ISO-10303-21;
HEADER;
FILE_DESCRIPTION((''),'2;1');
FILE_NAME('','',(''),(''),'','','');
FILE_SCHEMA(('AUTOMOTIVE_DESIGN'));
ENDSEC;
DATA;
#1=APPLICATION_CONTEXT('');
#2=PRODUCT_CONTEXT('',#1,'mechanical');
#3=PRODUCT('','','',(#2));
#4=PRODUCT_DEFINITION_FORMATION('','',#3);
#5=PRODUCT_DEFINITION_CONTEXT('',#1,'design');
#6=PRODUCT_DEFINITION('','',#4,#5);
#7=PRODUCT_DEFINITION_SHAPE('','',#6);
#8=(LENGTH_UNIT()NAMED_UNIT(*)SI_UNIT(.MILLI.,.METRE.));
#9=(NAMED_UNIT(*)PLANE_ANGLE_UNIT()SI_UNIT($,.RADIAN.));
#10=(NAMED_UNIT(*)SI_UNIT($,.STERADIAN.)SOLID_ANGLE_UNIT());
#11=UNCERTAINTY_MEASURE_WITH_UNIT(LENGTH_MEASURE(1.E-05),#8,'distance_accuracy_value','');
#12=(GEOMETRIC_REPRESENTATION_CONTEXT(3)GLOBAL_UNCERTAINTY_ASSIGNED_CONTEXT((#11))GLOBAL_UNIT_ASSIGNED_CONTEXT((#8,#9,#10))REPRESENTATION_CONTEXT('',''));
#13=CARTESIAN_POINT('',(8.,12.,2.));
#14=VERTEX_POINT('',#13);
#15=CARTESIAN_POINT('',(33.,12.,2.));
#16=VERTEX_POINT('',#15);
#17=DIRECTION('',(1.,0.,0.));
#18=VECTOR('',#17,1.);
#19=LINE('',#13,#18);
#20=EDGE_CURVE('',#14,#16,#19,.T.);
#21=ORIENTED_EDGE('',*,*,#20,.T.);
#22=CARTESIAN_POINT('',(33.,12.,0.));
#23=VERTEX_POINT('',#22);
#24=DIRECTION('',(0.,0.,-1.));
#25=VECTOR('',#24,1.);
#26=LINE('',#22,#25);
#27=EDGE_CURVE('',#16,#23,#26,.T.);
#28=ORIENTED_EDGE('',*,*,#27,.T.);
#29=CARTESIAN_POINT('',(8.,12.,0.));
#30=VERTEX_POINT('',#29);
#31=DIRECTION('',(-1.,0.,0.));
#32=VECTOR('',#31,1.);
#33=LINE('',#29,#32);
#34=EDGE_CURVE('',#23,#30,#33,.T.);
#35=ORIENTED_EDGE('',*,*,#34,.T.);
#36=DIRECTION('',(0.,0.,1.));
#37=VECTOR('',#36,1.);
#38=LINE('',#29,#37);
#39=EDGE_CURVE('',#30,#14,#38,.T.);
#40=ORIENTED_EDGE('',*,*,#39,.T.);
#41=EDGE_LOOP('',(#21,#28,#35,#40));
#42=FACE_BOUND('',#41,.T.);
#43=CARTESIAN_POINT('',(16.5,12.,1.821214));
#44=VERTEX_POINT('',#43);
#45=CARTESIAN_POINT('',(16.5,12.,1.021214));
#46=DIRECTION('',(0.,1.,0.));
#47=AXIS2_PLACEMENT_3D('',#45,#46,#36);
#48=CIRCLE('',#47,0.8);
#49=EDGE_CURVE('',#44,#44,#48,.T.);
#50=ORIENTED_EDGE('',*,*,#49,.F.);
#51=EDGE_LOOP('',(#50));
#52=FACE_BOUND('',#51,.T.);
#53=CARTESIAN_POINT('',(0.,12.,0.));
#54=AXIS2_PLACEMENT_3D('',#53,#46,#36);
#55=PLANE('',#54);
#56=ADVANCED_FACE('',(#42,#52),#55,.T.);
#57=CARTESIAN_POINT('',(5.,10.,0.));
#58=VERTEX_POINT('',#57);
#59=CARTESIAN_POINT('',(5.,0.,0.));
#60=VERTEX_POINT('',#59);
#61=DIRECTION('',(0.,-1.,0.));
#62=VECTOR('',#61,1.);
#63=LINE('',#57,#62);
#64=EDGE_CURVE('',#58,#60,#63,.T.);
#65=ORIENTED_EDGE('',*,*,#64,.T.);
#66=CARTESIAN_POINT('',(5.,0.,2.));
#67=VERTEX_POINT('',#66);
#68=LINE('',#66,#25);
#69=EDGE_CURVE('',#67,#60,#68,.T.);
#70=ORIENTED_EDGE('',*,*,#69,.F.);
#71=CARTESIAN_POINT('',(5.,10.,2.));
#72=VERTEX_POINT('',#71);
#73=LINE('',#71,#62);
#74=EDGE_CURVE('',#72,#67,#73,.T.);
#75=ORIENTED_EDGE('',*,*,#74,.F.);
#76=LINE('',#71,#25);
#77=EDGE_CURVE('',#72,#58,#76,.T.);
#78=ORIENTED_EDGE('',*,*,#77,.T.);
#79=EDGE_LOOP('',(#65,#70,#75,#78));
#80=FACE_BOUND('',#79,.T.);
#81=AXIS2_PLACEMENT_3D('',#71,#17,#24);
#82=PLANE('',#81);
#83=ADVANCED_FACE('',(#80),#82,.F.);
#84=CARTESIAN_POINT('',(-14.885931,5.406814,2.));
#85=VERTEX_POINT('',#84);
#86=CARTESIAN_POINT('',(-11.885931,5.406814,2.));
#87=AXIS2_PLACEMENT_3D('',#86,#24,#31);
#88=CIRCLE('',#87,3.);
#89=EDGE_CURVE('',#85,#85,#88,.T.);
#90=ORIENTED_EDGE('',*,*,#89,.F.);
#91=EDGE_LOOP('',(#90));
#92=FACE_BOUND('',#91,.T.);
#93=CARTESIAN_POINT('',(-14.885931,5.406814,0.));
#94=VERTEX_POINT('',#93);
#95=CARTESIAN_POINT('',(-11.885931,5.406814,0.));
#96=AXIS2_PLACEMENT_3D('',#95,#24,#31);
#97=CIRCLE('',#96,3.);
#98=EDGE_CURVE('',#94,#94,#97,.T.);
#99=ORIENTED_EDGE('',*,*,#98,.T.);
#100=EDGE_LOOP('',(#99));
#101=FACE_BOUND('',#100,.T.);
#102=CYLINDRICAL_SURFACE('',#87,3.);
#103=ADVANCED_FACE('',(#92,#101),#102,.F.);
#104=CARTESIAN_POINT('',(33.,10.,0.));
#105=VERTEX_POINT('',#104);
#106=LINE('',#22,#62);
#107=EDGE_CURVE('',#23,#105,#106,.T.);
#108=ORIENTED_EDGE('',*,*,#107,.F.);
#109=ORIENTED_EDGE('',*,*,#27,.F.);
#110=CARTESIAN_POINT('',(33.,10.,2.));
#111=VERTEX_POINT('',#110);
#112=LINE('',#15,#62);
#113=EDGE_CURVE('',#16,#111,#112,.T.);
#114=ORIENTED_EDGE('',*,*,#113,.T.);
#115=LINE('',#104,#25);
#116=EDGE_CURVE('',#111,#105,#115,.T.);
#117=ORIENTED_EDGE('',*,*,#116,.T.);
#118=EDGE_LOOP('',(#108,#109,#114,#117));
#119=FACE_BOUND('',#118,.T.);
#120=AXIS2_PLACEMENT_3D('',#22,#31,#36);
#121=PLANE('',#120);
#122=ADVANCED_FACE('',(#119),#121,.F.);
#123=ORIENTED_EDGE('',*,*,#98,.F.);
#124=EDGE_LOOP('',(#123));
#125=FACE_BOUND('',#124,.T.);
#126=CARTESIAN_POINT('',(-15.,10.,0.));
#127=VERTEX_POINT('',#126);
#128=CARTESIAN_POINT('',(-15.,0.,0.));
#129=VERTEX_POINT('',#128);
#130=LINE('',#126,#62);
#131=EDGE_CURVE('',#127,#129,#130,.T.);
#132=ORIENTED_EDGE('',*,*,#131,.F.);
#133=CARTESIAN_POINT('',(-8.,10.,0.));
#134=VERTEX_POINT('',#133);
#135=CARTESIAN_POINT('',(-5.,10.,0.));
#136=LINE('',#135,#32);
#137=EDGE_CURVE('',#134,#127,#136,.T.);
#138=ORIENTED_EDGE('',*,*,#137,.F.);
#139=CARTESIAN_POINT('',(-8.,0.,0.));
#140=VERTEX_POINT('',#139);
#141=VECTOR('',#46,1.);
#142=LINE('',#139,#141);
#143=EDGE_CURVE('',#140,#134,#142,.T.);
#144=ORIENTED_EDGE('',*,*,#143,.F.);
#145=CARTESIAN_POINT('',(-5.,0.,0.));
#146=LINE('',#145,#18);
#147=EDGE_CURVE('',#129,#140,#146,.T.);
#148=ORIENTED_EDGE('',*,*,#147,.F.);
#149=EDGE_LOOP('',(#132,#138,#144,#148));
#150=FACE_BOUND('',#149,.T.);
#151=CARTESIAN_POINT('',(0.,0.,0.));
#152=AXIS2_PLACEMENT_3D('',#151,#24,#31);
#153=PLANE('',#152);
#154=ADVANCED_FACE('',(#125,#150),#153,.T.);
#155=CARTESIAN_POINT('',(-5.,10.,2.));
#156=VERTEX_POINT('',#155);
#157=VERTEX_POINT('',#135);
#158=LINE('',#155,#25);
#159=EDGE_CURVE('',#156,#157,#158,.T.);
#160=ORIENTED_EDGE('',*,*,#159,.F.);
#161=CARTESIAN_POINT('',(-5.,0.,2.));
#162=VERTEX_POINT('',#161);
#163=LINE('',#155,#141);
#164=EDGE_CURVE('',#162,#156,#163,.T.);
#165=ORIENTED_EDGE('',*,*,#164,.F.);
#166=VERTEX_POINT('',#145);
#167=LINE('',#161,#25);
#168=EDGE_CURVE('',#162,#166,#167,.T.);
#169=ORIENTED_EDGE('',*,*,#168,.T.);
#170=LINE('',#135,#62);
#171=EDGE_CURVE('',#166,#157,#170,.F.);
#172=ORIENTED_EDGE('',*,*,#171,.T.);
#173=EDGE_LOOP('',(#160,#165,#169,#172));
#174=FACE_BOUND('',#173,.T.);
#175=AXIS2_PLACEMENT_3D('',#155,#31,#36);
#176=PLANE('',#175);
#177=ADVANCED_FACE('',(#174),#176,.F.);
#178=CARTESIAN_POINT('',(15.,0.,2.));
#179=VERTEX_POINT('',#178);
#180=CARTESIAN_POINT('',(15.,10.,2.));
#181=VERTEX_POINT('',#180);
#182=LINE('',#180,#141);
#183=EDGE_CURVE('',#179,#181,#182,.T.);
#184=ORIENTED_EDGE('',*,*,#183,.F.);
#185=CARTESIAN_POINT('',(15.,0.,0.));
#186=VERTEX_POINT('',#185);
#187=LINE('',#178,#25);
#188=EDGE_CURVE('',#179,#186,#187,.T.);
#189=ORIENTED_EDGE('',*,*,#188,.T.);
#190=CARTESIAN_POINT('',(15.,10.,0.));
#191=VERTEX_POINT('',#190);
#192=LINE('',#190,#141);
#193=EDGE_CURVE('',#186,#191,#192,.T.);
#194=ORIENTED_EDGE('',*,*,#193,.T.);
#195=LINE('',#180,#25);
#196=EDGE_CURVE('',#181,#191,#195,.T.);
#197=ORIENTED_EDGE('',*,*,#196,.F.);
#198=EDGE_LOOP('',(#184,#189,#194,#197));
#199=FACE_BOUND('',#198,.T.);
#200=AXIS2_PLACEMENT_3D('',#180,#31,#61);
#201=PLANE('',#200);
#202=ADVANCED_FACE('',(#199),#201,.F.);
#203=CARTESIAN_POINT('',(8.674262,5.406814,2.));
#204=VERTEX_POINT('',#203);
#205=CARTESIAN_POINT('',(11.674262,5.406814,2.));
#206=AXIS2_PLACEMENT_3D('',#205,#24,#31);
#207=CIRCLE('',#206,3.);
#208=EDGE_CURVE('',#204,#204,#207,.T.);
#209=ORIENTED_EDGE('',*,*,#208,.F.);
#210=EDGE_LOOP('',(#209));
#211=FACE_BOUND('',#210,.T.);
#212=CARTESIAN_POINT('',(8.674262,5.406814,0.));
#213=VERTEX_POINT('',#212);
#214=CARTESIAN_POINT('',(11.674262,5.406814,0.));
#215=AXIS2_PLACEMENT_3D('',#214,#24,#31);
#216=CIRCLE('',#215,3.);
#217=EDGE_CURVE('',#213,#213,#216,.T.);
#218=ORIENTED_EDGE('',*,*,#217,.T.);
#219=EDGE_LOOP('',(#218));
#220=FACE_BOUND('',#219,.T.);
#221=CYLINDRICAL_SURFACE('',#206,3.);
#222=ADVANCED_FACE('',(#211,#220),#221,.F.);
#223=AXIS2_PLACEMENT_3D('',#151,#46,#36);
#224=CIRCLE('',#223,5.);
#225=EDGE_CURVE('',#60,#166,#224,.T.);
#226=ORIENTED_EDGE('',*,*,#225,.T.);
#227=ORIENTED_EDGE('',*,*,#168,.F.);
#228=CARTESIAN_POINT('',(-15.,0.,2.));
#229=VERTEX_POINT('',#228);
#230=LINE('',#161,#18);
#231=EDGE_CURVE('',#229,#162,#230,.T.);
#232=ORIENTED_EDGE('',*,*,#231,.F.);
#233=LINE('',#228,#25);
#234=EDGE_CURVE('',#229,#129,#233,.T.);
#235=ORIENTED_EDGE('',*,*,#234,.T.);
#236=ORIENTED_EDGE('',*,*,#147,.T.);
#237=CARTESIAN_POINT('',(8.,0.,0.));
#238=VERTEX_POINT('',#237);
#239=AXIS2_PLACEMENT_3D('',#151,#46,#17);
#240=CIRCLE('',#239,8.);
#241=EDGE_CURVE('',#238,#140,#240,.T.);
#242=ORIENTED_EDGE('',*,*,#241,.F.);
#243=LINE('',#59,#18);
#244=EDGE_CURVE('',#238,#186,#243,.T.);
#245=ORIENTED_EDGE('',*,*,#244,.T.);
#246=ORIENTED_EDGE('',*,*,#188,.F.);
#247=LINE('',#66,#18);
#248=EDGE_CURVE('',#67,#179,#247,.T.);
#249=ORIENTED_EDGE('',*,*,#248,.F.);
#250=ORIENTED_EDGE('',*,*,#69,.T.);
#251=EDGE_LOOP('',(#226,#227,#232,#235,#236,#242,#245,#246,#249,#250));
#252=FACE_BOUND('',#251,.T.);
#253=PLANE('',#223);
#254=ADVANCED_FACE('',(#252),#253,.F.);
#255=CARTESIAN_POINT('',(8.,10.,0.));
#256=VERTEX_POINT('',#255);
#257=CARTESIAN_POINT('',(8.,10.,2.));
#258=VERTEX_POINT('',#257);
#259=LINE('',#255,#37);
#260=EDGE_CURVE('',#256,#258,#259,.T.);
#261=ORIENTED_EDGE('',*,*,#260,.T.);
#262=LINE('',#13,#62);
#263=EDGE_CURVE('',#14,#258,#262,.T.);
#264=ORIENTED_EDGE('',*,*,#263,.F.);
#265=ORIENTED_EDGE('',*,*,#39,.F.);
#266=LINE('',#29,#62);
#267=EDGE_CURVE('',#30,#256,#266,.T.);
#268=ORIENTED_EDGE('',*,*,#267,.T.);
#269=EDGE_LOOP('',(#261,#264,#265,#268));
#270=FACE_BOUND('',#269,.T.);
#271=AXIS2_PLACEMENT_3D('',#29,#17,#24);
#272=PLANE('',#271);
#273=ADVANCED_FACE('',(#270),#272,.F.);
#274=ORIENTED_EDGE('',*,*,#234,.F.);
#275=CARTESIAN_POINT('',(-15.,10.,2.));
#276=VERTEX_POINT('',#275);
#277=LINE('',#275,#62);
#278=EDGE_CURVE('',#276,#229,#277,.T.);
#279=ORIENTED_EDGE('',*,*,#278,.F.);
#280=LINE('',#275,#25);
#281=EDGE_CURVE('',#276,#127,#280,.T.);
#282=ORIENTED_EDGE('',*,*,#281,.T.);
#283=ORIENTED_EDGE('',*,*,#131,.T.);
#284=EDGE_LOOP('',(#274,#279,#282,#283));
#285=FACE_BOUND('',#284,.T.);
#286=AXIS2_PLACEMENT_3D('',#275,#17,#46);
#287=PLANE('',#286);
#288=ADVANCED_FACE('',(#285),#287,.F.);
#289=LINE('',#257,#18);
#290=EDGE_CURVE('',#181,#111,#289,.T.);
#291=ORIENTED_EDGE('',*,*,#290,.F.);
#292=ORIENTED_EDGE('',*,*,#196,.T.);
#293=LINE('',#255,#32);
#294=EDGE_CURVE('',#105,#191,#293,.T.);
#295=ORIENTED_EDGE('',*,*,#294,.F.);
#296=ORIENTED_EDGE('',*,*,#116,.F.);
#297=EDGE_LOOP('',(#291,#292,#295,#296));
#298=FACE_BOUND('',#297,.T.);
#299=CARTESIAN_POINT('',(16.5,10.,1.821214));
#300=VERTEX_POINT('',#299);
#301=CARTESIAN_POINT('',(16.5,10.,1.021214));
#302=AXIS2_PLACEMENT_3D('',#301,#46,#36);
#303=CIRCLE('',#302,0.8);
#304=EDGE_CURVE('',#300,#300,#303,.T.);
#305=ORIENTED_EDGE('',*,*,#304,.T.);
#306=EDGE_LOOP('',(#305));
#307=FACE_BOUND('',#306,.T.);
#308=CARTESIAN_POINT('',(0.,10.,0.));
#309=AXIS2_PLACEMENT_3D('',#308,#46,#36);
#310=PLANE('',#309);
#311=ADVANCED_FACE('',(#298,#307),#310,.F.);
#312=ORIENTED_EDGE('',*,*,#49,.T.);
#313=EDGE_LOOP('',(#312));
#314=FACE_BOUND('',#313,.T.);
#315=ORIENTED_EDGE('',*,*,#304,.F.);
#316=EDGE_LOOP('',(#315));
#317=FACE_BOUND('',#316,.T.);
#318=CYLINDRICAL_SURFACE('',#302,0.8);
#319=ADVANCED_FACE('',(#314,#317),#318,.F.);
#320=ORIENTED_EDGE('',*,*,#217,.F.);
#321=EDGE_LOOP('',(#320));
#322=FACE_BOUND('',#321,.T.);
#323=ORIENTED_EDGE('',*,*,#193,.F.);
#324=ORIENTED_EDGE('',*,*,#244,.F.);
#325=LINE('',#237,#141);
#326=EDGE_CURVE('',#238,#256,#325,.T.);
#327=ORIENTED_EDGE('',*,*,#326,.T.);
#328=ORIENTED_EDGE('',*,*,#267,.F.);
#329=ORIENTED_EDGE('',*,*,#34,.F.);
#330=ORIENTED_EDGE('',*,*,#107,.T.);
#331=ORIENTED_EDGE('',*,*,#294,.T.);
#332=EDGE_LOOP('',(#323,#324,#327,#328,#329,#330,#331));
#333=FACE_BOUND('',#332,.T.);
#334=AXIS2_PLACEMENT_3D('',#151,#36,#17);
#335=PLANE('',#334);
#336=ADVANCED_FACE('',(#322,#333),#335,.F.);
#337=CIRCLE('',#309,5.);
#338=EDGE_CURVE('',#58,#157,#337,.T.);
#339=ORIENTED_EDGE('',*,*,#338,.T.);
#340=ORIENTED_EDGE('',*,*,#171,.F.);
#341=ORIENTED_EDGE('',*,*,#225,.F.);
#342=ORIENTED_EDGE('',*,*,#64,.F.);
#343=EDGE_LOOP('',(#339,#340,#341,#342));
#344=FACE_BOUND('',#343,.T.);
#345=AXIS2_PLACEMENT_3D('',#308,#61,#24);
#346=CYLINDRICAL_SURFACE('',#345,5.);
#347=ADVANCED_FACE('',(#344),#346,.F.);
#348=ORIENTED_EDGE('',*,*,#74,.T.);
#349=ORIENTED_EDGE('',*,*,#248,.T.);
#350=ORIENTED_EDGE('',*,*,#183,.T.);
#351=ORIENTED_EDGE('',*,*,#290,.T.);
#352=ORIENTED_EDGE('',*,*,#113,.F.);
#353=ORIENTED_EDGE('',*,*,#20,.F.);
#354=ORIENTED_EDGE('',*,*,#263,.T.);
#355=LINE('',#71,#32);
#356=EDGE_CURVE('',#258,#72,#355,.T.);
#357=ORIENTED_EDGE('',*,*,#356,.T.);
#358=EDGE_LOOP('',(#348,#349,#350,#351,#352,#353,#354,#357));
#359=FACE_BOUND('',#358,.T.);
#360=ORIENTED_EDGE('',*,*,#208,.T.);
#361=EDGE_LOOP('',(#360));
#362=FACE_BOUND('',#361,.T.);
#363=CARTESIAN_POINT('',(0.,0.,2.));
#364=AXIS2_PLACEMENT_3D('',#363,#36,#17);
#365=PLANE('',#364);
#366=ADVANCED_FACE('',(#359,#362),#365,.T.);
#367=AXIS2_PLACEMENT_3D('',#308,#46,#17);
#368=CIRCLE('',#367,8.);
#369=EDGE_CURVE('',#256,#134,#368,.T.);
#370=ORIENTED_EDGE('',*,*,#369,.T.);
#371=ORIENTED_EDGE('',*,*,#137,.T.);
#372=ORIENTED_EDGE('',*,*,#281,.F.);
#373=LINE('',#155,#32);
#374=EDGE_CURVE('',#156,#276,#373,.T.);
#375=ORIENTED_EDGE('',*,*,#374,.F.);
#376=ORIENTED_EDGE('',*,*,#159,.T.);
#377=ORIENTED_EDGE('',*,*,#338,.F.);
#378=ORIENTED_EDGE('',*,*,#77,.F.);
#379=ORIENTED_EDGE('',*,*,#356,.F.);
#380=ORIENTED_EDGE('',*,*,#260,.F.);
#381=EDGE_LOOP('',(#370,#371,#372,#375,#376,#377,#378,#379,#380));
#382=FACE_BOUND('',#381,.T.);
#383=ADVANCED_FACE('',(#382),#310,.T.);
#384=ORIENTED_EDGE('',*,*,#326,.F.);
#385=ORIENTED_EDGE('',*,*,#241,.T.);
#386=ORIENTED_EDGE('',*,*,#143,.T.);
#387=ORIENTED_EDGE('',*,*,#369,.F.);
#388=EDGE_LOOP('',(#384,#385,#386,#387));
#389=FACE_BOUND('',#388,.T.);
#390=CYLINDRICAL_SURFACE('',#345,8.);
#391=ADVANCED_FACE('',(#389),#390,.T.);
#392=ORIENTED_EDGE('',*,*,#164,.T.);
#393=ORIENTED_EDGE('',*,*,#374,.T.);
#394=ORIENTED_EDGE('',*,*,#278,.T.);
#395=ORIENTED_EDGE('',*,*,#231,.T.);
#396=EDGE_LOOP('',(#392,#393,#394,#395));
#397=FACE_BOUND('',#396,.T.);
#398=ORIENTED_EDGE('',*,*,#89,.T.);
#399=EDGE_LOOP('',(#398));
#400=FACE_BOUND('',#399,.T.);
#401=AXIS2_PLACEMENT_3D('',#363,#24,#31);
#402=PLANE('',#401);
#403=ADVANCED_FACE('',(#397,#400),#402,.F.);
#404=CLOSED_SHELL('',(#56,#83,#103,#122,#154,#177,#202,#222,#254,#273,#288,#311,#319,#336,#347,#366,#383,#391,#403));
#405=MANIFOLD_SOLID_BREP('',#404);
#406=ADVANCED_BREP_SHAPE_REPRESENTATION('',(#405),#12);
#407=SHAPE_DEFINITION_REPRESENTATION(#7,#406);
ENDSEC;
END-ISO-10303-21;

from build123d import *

# Parameters (mm, degrees)
SKETCH2_R           = 8
SKETCH2_R_2         = 5
EXTRUDE_THIN1_DEPTH = 10
CUT_EXTRUDE1_DEPTH  = 10
SKETCH4_W           = 10
SKETCH4_H           = 10
BOSS_EXTRUDE1_DEPTH = 2
SKETCH5_R           = 3
CUT_EXTRUDE2_DEPTH  = 2
SKETCH6_W           = 25
SKETCH6_H           = 2
BOSS_EXTRUDE2_DEPTH = 2
SKETCH7_R           = 0.8
CUT_EXTRUDE3_DEPTH  = 2


with BuildPart() as part:
    # Sketch2 → Extrude-Thin1 (new body)
    with BuildSketch(Plane(origin=(0, 0, 0), x_dir=(1, 0, 0), z_dir=(0, 1, 0))):
        Circle(SKETCH2_R)
        Circle(SKETCH2_R_2, mode=Mode.SUBTRACT)
    extrude(amount=EXTRUDE_THIN1_DEPTH)

    # Sketch3 → Cut-Extrude1 (cut)
    with BuildSketch(Plane(origin=(0, 10, 0), x_dir=(1, 0, 0), z_dir=(0, 1, 0))):
        with BuildLine():
            Line((-8, 0), (8, 0))
            ThreePointArc((8, 0), (0, -8), (-8, 0))
        make_face()
    extrude(amount=-CUT_EXTRUDE1_DEPTH, mode=Mode.SUBTRACT)

    # Sketch4 → Boss-Extrude1 (add)
    with BuildSketch(Plane.XY):
        with Locations((10, 5)):
            Rectangle(SKETCH4_W, SKETCH4_H)
        with Locations((-10, 5)):
            Rectangle(SKETCH4_W, SKETCH4_H)
    extrude(amount=BOSS_EXTRUDE1_DEPTH)

    # Sketch5 → Cut-Extrude2 (cut)
    with BuildSketch(Plane(origin=(0, 0, 0), x_dir=(-1, 0, 0), z_dir=(0, 0, -1))):
        with Locations((-11.674262076, 5.406814048)):
            Circle(SKETCH5_R)
        with Locations((11.885931395, 5.406814048)):
            Circle(SKETCH5_R)
    extrude(amount=-CUT_EXTRUDE2_DEPTH, mode=Mode.SUBTRACT)

    # Sketch6 → Boss-Extrude2 (add)
    with BuildSketch(Plane(origin=(0, 10, 0), x_dir=(1, 0, 0), z_dir=(0, 1, 0))):
        with Locations((20.5, -1)):
            Rectangle(SKETCH6_W, SKETCH6_H)
    extrude(amount=BOSS_EXTRUDE2_DEPTH)

    # Sketch7 → Cut-Extrude3 (cut)
    with BuildSketch(Plane(origin=(0, 12, 0), x_dir=(1, 0, 0), z_dir=(0, 1, 0))):
        with Locations((16.5, -1.021213906)):
            Circle(SKETCH7_R)
    extrude(amount=-CUT_EXTRUDE3_DEPTH, mode=Mode.SUBTRACT)


solid = part.part
